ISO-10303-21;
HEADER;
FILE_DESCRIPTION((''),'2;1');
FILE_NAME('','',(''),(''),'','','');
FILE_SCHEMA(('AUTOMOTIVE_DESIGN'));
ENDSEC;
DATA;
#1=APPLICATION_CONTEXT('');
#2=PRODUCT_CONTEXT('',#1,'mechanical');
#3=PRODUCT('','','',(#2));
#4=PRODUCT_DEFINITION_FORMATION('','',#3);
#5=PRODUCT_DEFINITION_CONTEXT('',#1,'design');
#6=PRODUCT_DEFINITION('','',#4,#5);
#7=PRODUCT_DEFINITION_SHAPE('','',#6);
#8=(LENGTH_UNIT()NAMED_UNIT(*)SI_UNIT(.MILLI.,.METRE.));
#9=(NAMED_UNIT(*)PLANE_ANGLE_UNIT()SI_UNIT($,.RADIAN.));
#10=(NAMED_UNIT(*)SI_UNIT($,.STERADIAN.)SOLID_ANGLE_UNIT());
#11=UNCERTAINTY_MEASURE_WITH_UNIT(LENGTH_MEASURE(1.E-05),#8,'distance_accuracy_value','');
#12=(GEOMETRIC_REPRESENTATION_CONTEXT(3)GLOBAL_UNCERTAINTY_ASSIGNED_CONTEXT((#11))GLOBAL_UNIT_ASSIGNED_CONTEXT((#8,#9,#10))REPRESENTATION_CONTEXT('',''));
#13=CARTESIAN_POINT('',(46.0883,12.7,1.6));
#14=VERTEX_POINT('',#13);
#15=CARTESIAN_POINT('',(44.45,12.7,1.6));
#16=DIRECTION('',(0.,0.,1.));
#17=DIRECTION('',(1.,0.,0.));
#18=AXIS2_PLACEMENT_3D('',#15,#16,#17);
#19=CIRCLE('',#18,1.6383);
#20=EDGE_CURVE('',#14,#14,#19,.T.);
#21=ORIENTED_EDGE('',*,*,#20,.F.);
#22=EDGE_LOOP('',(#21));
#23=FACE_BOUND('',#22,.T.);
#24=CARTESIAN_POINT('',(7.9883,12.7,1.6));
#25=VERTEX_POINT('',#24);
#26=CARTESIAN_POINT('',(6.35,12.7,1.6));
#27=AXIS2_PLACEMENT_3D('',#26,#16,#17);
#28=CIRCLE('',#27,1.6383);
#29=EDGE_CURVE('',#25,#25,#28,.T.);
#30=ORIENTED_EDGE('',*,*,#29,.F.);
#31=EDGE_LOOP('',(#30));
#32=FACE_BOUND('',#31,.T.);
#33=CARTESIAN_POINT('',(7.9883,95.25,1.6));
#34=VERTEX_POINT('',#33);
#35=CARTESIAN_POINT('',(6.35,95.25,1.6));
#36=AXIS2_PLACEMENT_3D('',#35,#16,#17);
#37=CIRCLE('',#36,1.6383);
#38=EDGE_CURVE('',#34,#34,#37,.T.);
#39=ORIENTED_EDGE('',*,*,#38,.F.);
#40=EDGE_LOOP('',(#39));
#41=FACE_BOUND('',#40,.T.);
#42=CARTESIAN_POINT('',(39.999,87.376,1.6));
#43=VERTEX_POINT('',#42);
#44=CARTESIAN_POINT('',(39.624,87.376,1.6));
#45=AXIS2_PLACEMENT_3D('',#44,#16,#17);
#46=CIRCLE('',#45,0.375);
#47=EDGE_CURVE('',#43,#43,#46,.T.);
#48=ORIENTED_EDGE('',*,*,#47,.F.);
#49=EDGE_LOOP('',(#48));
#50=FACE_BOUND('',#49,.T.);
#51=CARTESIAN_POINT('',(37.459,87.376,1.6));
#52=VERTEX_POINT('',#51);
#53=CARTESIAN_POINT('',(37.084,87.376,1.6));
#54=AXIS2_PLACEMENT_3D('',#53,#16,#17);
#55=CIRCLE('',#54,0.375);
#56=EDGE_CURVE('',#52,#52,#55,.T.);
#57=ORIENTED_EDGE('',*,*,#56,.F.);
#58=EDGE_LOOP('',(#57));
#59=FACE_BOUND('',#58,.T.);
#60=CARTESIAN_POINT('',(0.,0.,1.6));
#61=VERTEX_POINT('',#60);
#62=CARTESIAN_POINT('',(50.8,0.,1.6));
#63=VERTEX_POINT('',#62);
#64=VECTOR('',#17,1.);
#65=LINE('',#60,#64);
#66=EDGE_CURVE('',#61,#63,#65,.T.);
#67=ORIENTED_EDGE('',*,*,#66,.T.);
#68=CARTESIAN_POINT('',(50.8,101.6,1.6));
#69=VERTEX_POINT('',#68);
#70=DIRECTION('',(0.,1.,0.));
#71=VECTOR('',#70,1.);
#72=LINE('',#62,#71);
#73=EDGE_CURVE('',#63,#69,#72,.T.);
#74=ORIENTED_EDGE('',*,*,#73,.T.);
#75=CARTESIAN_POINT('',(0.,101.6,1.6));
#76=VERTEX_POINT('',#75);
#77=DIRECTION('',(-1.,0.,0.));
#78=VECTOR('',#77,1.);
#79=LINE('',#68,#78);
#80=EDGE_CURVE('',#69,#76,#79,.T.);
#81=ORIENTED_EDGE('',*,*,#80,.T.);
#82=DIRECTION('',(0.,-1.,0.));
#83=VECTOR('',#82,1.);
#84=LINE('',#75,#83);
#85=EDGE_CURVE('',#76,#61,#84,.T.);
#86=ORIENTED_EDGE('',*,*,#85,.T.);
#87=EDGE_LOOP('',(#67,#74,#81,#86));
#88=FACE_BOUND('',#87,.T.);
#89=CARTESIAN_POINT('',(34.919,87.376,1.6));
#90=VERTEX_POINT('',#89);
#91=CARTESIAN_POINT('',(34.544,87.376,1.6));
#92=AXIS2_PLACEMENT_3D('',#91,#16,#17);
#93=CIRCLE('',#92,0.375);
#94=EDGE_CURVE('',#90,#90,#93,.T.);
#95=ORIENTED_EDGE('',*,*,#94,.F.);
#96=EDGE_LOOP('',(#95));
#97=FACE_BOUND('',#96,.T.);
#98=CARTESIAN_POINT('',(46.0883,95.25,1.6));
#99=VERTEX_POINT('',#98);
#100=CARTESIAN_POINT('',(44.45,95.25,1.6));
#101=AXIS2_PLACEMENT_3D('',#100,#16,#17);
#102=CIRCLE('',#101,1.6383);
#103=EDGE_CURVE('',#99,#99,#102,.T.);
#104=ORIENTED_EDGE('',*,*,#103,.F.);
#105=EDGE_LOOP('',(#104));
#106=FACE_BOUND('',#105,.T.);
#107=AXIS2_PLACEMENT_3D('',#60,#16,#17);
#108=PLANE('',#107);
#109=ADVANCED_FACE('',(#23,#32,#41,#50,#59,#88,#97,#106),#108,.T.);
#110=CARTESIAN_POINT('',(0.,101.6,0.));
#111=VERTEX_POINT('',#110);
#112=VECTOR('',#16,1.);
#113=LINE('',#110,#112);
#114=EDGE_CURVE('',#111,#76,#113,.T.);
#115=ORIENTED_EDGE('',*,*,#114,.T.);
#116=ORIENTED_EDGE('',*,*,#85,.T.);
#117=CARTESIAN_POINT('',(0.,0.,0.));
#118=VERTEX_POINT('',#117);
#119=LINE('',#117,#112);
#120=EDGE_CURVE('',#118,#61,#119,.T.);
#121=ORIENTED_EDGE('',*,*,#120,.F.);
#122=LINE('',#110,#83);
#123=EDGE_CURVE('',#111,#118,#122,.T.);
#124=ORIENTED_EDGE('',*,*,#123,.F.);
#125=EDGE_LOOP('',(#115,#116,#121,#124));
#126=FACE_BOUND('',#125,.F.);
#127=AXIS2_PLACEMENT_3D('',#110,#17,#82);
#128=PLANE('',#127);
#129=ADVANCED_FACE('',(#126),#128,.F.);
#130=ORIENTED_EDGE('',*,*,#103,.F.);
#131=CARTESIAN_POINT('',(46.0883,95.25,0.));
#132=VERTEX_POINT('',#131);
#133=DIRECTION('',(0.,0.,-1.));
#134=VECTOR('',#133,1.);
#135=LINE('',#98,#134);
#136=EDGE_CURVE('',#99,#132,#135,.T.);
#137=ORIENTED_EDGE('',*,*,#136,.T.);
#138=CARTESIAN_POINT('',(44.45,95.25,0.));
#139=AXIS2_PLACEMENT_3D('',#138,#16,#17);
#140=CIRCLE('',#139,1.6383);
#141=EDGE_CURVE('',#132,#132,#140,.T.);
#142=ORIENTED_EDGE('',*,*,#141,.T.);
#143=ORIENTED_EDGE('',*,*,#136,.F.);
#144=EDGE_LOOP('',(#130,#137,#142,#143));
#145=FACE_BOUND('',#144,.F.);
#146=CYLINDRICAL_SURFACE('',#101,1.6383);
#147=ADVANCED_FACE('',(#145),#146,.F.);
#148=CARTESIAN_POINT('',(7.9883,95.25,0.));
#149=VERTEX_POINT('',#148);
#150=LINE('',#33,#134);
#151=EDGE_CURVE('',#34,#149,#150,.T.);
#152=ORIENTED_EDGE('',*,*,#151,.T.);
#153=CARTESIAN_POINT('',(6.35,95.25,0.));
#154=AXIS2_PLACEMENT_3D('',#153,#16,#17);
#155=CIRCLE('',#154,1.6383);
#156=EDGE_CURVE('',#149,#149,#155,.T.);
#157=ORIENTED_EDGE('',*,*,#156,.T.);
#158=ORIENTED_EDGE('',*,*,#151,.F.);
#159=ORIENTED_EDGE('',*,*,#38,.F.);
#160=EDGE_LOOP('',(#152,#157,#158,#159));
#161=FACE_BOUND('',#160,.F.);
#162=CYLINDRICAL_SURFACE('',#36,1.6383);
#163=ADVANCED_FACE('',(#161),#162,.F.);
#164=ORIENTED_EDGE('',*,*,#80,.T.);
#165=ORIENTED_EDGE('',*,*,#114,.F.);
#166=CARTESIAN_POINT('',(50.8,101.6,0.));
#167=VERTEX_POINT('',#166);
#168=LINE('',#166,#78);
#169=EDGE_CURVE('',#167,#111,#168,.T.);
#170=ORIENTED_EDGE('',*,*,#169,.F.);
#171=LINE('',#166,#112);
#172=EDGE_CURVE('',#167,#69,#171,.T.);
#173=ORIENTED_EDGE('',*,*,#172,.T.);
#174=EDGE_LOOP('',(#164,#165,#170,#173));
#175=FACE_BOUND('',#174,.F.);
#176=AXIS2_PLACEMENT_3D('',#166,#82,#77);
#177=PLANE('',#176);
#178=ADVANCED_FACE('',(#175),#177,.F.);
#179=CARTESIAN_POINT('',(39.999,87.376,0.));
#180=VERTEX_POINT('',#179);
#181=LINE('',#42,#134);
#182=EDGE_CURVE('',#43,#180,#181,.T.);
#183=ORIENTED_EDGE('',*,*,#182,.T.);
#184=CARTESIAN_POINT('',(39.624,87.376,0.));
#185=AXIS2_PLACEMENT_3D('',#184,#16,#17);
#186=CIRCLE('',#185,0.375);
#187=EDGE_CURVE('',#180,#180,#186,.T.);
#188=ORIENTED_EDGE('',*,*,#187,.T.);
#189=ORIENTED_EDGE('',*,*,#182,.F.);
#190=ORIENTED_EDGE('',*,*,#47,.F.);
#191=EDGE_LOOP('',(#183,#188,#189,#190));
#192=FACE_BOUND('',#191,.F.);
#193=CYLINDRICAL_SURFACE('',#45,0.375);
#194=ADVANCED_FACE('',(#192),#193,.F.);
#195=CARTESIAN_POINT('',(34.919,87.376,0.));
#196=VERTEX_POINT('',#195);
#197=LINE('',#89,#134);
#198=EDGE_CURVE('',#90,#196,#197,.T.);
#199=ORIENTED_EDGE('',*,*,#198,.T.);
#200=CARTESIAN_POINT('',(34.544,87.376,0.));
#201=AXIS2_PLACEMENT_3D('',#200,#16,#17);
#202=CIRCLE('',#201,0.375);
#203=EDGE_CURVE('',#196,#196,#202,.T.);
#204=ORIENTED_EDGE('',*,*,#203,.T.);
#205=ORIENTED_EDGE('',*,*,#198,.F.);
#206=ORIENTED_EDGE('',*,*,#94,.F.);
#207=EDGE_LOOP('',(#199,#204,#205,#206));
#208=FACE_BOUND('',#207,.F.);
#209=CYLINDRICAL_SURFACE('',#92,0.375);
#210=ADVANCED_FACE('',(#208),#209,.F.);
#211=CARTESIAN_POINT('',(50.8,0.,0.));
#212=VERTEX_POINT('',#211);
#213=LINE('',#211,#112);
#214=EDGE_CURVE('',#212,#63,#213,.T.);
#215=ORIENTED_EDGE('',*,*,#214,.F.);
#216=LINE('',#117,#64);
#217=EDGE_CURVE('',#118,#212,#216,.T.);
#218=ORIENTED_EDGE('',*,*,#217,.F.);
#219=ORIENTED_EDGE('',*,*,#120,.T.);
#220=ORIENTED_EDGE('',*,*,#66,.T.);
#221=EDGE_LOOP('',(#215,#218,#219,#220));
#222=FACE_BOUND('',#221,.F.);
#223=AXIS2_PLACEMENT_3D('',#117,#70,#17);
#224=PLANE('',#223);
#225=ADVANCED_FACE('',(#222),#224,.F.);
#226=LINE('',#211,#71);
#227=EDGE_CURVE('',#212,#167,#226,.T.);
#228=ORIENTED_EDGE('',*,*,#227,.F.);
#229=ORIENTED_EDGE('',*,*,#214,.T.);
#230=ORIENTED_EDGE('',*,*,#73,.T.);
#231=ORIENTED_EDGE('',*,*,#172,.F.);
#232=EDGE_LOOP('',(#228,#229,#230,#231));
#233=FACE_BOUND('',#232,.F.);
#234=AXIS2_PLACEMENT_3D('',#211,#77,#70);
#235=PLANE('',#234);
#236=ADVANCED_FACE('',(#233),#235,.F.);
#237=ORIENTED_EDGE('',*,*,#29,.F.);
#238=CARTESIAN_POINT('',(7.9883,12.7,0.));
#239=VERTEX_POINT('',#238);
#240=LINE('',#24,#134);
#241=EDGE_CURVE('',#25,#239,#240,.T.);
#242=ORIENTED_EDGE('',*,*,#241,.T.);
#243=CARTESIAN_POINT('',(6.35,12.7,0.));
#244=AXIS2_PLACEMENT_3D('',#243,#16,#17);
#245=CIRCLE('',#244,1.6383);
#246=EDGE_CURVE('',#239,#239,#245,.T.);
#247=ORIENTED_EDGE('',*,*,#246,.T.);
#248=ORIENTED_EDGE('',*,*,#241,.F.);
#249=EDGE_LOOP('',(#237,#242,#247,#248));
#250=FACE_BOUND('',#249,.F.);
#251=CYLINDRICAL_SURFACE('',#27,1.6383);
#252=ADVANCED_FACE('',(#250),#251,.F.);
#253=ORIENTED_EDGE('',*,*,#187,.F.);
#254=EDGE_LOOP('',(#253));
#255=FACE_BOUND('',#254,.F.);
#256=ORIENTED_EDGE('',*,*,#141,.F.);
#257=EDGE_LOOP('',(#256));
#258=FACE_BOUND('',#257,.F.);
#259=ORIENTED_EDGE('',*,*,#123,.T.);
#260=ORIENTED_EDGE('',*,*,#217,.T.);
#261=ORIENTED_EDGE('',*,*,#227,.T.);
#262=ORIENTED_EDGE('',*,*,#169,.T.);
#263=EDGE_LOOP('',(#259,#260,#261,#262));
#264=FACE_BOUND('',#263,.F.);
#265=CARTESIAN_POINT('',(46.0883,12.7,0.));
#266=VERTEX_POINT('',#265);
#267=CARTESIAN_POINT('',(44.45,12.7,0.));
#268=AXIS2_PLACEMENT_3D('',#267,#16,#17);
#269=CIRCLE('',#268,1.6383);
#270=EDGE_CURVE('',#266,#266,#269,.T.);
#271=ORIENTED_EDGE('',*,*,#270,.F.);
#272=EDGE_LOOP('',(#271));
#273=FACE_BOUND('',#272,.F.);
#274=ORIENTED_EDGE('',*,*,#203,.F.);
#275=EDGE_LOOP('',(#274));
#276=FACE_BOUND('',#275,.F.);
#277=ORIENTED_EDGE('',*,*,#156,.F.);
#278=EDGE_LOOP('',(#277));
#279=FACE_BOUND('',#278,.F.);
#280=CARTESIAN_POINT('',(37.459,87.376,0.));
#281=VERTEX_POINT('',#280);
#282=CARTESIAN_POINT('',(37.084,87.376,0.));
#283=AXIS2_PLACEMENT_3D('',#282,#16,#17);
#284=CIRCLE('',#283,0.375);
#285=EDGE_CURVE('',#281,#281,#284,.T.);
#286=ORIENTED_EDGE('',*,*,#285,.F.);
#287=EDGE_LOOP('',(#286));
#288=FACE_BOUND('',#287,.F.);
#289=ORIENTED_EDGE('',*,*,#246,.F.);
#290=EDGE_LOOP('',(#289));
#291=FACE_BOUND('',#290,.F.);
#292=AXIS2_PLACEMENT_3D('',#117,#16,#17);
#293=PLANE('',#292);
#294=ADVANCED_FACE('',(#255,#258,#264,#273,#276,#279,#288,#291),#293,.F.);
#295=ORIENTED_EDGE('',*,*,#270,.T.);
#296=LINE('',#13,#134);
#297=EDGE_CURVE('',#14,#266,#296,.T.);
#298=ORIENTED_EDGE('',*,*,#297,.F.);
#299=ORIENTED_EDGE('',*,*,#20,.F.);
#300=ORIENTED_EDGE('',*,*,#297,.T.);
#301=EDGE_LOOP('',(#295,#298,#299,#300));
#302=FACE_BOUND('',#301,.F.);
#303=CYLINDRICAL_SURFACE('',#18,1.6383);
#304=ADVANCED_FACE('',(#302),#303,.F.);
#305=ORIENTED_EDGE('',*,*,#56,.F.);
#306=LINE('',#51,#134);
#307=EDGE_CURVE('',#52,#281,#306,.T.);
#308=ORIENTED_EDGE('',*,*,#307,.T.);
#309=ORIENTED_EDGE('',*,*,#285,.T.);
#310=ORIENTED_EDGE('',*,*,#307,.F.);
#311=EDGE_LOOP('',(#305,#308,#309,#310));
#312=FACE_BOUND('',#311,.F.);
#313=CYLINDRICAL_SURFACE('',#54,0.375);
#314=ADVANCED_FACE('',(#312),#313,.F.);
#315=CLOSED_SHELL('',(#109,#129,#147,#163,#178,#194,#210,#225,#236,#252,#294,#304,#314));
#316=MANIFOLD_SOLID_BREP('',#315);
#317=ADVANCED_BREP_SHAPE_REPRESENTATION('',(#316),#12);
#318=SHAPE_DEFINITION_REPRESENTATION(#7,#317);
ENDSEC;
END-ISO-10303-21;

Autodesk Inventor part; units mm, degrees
ref_plane "YZ Plane" through (0, 0, 0) normal (1, 0, 0) x (0, 1, 0)
ref_plane "XZ Plane" through (0, 0, 0) normal (0, 1, 0) x (-1, 0, 0)
ref_plane "XY Plane" through (0, 0, 0) normal (0, 0, 1) x (1, 0, 0)
sketch "Sketch1" plane through (0, 0, 0) normal (0, 0, 1) x (1, 0, 0)
  line L0 (0, 0) -> (50.8, 0)
  line L1 (50.8, 0) -> (50.8, 101.6)
  line L2 (50.8, 101.6) -> (0, 101.6)
  line L3 (0, 101.6) -> (0, 0)
  dimension "d2" = 50.8
  dimension "d3" = 101.6
extrude "Extrusion1" add sketch "Sketch1" along normal blind 1.6
sketch "Sketch2" plane through (0, 0, 1.6) normal (0, 0, 1) x (1, 0, 0)
  line L0 (0, 0) -> (0, 101.6) projected
  line L1 (50.8, 0) -> (0, 0) projected
  circle A0 centre (6.35, 12.7) radius 1.6383
  circle A1 centre (6.35, 95.25) radius 1.6383
  circle A2 centre (44.45, 12.7) radius 1.6383
  circle A3 centre (44.45, 95.25) radius 1.6383
  circle A4 centre (37.084, 87.376) radius 0.375
  line L2 (50.8, 101.6) -> (50.8, 0) projected
  circle A5 centre (39.624, 87.376) radius 0.375
  circle A6 centre (34.544, 87.376) radius 0.375
  dimension "d4" = 3.2766
  dimension "d7" = 82.55
  dimension "d10" = 38.1
  dimension "d13" = 6.35
  dimension "d14" = 12.7
  dimension "d17" = 0.75
  dimension "d20" = 87.376
  dimension "d21" = 13.716
  dimension "d22" = 2.54
  dimension "d23" = 2.54
extrude "Extrusion2" cut sketch "Sketch2" against normal through all
properties part number "circuitBoard"
